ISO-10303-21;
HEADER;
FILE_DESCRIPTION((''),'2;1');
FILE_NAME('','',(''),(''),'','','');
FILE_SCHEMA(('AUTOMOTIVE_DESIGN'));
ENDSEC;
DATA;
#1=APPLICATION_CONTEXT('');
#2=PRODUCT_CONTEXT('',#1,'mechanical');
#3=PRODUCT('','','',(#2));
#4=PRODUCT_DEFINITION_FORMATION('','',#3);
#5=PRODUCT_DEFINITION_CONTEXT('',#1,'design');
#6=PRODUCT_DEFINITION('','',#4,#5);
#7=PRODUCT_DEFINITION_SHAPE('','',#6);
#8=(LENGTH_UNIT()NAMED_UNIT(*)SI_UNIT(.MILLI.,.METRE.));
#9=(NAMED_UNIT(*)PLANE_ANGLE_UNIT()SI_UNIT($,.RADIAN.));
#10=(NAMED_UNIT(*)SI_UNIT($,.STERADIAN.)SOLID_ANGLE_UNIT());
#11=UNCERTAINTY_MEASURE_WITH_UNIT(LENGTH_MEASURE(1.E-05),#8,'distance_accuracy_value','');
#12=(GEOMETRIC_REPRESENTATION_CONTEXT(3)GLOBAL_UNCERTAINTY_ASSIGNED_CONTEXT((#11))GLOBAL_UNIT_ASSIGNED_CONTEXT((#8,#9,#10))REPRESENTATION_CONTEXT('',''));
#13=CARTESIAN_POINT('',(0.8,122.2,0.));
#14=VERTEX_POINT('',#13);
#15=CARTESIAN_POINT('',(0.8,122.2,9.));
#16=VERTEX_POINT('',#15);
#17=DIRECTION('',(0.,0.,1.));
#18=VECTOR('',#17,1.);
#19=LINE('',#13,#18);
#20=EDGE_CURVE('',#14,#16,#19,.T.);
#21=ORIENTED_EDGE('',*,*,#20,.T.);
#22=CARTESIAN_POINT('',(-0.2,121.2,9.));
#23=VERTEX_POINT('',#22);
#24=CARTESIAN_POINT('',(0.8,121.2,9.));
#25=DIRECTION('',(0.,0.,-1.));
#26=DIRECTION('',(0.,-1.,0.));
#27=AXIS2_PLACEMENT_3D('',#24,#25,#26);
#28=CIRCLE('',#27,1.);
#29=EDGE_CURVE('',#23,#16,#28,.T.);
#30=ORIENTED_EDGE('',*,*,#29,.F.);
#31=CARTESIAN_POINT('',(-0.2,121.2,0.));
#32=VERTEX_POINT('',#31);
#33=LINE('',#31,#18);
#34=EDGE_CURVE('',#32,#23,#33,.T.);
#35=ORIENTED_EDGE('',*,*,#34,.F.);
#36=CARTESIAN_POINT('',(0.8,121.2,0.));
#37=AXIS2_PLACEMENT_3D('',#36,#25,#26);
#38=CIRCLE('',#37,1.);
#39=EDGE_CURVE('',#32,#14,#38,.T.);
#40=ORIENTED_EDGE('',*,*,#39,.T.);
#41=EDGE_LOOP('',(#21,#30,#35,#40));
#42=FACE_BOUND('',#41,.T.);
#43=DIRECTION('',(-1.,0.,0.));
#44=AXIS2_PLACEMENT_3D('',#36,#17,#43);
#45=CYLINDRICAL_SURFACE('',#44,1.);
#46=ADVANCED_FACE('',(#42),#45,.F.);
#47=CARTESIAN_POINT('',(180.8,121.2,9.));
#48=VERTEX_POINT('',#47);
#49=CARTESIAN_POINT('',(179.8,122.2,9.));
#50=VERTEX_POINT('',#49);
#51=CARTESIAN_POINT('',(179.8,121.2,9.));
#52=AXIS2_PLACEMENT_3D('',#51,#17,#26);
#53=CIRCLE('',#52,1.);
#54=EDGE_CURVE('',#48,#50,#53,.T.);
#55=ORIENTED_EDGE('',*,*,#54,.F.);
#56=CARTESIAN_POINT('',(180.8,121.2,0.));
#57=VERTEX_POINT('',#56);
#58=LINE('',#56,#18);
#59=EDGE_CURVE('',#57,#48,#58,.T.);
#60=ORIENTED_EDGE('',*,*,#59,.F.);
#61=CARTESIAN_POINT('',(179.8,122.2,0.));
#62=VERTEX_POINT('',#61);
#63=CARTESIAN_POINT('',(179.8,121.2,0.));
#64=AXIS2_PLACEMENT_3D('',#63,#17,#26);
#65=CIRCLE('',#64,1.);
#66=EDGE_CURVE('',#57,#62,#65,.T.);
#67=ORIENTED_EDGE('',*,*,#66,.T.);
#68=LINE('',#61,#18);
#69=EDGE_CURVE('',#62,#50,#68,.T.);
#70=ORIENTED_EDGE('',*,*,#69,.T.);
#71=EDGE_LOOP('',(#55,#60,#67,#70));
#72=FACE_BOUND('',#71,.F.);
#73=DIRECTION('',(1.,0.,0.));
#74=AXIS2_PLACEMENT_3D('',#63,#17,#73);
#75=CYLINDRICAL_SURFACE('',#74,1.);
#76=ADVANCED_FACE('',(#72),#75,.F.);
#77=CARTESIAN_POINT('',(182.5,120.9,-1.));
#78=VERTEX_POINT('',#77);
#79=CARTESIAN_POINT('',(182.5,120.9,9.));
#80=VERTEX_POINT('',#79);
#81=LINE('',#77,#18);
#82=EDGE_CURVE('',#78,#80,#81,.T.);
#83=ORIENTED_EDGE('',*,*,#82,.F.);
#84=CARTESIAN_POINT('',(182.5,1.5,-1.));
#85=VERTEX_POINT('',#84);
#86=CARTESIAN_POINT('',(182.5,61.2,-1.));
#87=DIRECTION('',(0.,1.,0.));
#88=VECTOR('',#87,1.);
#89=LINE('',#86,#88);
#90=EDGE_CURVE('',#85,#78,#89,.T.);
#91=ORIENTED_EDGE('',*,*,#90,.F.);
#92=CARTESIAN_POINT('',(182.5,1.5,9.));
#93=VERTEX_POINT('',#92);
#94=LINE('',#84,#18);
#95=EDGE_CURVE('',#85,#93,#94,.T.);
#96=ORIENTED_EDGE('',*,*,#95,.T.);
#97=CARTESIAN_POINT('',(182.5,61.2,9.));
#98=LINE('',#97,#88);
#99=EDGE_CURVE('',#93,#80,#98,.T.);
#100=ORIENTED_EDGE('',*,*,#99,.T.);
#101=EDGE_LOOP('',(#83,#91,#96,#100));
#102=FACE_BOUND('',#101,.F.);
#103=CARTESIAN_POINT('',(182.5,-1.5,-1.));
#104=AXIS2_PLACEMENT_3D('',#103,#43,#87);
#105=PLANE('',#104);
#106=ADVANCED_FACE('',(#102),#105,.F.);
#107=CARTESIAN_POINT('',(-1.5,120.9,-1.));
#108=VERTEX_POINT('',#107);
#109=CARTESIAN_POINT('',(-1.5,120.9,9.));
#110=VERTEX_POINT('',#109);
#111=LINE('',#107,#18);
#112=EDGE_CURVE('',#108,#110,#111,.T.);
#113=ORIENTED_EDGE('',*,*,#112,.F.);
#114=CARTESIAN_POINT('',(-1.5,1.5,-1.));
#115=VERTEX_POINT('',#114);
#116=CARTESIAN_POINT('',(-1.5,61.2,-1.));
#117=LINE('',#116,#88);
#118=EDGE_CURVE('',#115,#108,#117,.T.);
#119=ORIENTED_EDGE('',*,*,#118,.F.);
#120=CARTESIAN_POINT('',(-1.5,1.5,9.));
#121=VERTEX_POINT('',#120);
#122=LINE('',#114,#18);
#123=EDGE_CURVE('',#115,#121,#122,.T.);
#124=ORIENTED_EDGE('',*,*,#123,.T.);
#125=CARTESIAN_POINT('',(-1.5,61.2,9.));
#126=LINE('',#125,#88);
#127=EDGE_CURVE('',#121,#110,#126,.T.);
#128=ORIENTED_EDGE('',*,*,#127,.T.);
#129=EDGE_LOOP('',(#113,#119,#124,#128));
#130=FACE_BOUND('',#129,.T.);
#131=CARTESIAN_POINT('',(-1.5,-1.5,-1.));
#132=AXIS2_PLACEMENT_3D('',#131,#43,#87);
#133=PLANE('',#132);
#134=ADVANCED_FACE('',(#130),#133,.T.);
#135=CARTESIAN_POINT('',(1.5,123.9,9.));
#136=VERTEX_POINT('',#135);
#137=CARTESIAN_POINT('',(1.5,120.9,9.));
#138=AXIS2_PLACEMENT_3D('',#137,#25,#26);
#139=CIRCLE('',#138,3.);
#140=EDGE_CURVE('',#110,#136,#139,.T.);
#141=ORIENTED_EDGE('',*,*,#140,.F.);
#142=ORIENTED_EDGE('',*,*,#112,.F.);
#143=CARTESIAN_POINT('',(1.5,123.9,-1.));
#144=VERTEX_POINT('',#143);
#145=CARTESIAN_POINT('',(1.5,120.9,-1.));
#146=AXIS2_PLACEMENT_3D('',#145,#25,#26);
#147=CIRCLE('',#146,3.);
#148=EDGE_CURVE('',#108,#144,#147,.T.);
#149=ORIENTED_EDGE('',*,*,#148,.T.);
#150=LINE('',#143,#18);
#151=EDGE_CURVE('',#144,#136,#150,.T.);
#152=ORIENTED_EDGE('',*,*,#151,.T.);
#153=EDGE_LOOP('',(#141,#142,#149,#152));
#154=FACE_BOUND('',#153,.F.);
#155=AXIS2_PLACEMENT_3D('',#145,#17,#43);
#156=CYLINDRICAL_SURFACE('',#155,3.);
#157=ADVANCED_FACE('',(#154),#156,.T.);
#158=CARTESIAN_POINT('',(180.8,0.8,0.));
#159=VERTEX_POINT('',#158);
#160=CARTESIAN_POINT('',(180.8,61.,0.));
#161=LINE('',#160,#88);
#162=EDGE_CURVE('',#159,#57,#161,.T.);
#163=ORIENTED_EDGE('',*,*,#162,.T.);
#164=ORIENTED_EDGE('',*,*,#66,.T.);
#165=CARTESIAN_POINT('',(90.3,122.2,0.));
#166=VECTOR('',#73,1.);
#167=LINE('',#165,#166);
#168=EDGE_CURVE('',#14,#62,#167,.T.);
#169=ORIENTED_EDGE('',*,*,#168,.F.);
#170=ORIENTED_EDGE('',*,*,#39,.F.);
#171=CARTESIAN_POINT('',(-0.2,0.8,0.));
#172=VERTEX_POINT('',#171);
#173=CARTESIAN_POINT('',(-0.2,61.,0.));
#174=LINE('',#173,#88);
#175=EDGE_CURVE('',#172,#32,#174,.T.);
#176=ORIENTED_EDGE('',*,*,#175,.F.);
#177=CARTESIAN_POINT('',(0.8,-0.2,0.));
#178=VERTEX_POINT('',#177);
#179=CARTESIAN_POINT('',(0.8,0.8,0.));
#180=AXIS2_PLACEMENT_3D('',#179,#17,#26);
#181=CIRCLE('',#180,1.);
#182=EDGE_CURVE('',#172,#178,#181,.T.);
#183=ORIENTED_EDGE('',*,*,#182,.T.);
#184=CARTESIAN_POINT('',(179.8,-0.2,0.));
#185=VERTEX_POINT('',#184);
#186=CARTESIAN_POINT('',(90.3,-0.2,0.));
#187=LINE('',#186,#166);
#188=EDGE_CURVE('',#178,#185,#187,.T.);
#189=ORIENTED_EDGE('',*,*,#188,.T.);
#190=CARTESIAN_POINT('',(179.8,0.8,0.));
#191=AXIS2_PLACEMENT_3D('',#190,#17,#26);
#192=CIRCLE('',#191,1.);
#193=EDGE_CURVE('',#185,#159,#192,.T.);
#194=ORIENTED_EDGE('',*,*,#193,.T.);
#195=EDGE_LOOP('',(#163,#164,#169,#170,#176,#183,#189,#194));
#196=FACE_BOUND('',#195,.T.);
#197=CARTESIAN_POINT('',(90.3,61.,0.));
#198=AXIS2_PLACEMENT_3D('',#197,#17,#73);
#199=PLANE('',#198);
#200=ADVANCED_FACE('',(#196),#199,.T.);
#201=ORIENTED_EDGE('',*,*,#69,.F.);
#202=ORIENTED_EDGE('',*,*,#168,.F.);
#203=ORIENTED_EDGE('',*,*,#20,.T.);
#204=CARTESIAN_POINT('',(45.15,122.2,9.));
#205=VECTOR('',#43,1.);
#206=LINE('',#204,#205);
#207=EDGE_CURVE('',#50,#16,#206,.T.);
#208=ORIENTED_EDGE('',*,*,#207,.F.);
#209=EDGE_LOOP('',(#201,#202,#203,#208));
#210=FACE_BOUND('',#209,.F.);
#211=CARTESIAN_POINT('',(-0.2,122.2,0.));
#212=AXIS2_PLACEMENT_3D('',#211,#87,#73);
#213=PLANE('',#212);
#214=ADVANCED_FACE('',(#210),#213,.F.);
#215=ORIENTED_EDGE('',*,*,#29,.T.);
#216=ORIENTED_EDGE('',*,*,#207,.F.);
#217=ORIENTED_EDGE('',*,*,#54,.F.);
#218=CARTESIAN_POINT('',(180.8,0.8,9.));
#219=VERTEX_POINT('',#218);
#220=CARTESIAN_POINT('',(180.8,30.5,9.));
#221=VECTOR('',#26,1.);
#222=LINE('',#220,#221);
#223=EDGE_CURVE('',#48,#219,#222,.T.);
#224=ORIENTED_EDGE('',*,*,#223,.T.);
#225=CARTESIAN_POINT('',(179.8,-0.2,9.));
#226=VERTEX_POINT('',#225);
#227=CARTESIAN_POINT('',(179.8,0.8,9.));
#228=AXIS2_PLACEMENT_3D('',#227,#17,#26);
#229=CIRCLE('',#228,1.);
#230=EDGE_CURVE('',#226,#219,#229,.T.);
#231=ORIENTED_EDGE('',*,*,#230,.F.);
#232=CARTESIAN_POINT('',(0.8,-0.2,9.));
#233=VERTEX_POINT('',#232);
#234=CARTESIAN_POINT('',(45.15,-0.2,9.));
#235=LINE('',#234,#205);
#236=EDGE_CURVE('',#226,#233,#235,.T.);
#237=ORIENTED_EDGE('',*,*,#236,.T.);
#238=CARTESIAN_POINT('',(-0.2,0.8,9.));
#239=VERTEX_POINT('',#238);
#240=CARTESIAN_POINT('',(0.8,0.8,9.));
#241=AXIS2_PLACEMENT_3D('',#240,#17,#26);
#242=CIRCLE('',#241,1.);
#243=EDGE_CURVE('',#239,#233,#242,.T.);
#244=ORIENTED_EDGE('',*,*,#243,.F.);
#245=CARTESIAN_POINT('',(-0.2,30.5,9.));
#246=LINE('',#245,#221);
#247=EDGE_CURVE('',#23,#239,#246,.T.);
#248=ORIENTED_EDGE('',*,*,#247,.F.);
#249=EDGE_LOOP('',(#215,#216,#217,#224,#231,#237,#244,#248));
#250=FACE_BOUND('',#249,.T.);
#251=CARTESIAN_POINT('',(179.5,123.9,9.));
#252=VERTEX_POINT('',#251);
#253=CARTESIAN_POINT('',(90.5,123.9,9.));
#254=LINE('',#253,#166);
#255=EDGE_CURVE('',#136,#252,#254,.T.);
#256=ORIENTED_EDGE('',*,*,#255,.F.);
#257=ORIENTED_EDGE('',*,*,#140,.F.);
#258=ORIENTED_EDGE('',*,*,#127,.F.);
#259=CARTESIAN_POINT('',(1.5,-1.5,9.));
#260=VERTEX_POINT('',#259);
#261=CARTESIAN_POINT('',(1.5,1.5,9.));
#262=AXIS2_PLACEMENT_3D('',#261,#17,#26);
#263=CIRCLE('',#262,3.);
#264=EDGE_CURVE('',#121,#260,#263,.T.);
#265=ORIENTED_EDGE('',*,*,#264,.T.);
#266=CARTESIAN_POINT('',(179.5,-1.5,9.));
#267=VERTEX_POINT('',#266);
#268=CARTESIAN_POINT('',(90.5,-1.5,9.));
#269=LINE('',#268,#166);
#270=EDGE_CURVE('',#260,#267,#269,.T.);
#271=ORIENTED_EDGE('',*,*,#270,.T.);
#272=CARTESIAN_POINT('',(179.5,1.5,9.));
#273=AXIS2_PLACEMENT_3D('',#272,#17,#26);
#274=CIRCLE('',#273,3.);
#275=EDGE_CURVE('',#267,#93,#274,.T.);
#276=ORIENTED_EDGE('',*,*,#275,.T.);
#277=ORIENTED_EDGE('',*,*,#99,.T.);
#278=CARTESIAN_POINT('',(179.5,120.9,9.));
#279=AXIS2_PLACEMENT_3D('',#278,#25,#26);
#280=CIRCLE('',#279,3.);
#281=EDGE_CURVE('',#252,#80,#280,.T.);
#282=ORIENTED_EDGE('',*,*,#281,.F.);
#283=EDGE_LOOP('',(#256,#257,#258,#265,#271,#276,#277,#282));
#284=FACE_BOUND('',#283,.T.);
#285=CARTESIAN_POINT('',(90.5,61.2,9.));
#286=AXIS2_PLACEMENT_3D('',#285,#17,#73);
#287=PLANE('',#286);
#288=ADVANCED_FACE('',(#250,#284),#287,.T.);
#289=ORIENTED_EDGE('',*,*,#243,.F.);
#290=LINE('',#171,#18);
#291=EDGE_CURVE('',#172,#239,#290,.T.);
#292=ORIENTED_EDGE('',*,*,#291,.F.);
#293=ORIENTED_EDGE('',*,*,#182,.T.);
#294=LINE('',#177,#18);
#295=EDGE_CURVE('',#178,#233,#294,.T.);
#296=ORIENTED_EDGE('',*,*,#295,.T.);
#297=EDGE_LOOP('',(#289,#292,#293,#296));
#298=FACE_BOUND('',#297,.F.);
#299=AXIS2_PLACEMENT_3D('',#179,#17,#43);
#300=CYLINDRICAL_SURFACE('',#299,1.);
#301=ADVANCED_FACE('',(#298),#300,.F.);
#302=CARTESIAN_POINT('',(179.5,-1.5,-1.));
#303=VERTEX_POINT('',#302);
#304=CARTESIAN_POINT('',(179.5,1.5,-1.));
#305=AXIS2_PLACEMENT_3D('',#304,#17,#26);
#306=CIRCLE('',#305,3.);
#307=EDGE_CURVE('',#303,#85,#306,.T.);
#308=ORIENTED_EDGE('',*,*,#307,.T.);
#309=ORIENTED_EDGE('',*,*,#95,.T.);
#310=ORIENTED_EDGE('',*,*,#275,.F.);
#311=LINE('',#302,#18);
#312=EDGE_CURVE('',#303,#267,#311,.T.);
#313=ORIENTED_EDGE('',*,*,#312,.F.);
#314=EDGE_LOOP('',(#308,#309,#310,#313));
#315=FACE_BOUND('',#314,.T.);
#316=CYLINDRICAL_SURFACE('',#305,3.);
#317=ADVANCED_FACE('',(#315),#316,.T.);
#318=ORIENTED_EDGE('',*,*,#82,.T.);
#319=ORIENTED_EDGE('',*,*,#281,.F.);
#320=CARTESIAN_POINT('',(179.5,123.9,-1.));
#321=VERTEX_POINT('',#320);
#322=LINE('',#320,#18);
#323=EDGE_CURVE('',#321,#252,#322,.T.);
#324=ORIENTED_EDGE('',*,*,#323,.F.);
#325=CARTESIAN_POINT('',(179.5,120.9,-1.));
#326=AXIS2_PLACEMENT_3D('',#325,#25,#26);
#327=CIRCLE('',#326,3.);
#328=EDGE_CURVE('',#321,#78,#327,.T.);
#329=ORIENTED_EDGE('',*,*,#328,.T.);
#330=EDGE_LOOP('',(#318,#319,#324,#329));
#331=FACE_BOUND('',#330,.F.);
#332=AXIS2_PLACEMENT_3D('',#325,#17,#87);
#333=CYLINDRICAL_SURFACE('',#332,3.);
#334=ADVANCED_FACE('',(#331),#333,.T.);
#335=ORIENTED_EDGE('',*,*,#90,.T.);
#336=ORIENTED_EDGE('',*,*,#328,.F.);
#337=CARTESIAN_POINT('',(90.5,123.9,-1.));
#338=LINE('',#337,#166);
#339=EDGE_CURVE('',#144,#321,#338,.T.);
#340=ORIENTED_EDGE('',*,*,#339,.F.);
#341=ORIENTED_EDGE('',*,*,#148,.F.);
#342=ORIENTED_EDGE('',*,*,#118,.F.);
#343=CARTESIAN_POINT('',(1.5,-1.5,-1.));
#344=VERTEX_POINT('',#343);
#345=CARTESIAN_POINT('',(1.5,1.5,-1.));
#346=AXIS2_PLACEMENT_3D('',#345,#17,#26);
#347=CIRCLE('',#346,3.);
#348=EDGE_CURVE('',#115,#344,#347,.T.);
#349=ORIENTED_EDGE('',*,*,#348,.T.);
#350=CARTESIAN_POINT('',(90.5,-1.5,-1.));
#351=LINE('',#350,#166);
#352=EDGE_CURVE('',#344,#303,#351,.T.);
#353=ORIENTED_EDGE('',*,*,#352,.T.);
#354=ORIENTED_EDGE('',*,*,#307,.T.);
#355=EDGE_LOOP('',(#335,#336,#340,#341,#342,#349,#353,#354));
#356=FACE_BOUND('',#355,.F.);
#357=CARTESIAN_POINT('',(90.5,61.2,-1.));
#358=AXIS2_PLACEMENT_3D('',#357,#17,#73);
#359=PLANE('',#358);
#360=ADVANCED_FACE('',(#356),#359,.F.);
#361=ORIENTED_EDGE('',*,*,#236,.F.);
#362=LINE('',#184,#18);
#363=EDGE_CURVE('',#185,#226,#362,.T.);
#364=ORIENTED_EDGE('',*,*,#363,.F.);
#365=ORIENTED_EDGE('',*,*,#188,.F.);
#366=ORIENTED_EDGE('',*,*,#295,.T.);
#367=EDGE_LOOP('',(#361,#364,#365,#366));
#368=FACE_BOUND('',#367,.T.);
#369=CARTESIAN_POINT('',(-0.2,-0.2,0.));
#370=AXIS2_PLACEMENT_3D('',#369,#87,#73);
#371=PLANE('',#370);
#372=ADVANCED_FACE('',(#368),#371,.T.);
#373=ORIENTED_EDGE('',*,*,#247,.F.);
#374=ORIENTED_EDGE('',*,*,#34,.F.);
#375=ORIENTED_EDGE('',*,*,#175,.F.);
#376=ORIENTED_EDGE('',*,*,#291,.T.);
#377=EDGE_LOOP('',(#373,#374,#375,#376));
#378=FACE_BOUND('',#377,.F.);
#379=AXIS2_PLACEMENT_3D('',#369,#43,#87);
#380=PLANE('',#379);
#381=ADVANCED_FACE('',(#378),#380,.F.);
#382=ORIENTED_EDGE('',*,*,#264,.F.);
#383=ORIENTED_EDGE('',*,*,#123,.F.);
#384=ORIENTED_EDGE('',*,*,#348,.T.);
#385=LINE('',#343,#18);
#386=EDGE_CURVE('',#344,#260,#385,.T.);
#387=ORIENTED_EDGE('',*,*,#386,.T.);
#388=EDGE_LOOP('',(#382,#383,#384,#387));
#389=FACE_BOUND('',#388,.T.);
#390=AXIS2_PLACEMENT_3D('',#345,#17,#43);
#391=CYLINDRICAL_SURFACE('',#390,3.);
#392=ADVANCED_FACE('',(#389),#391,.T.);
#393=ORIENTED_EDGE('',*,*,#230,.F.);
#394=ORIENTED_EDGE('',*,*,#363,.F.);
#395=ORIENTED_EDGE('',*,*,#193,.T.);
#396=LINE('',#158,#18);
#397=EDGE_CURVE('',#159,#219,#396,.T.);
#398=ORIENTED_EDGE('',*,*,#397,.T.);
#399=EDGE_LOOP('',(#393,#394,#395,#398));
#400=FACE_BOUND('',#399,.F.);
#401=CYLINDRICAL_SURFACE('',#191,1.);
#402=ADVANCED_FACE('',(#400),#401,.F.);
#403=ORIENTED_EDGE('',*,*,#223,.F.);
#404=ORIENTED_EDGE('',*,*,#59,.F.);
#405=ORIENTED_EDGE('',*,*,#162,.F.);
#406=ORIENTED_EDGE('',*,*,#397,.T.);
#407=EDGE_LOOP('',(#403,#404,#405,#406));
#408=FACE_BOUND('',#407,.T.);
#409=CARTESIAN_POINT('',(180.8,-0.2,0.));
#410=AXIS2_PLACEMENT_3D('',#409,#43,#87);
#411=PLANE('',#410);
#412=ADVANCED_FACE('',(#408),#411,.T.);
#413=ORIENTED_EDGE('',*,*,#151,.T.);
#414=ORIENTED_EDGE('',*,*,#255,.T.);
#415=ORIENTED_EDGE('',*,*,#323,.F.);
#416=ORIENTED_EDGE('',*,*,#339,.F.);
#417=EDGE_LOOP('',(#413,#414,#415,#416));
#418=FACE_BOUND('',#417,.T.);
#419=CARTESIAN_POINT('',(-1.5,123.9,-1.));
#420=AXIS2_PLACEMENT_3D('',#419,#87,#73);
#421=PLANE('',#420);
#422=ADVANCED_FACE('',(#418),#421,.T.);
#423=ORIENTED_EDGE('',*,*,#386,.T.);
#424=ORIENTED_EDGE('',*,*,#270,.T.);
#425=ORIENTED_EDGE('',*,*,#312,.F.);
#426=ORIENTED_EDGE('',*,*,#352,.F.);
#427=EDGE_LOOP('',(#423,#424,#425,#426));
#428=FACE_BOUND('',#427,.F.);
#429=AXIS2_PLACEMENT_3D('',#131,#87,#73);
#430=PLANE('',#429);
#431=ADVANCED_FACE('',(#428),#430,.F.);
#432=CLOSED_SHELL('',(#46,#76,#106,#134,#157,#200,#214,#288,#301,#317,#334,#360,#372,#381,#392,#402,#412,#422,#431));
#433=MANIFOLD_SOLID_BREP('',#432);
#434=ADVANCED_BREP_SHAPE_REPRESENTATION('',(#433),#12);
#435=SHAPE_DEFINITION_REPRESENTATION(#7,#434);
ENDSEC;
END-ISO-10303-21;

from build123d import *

# Parameters (mm, degrees)
BOX044_W      = 181
BOX044_H      = 122.4
BOX044_DEPTH  = 10
BOX045_W      = 184
BOX045_H      = 125.4
BOX045_DEPTH  = 10
FILLET005_1_R = 3
FILLET005_2_R = 1


with BuildPart() as cube022:
    # Box044 → Box044 (new body)
    with BuildSketch(Plane(origin=(-0.2, -0.2, 0), x_dir=(1, 0, 0), z_dir=(0, 0, 1))):
        with Locations((90.5, 61.2)):
            Rectangle(BOX044_W, BOX044_H)
    extrude(amount=BOX044_DEPTH)


with BuildPart() as fillet005:
    # Box045 → Box045 (new body)
    with BuildSketch(Plane(origin=(-1.5, -1.5, -1), x_dir=(1, 0, 0), z_dir=(0, 0, 1))):
        with Locations((92, 62.7)):
            Rectangle(BOX045_W, BOX045_H)
    extrude(amount=BOX045_DEPTH)

    # Cut007: cut Cube022
    add(cube022.part, mode=Mode.SUBTRACT)

    # Fillet005 1
    fillet005_1_edges = [fillet005.edges().sort_by_distance(p)[0] for p in [
        (-1.5, -1.5, 4),
        (-1.5, 123.9, 4),
        (182.5, -1.5, 4),
        (182.5, 123.9, 4),
    ]]
    fillet(fillet005_1_edges, radius=FILLET005_1_R)

    # Fillet005 2
    fillet005_2_edges = [fillet005.edges().sort_by_distance(p)[0] for p in [
        (180.8, -0.2, 4.5),
        (-0.2, -0.2, 4.5),
        (180.8, 122.2, 4.5),
        (-0.2, 122.2, 4.5),
    ]]
    fillet(fillet005_2_edges, radius=FILLET005_2_R)


solid = fillet005.part
